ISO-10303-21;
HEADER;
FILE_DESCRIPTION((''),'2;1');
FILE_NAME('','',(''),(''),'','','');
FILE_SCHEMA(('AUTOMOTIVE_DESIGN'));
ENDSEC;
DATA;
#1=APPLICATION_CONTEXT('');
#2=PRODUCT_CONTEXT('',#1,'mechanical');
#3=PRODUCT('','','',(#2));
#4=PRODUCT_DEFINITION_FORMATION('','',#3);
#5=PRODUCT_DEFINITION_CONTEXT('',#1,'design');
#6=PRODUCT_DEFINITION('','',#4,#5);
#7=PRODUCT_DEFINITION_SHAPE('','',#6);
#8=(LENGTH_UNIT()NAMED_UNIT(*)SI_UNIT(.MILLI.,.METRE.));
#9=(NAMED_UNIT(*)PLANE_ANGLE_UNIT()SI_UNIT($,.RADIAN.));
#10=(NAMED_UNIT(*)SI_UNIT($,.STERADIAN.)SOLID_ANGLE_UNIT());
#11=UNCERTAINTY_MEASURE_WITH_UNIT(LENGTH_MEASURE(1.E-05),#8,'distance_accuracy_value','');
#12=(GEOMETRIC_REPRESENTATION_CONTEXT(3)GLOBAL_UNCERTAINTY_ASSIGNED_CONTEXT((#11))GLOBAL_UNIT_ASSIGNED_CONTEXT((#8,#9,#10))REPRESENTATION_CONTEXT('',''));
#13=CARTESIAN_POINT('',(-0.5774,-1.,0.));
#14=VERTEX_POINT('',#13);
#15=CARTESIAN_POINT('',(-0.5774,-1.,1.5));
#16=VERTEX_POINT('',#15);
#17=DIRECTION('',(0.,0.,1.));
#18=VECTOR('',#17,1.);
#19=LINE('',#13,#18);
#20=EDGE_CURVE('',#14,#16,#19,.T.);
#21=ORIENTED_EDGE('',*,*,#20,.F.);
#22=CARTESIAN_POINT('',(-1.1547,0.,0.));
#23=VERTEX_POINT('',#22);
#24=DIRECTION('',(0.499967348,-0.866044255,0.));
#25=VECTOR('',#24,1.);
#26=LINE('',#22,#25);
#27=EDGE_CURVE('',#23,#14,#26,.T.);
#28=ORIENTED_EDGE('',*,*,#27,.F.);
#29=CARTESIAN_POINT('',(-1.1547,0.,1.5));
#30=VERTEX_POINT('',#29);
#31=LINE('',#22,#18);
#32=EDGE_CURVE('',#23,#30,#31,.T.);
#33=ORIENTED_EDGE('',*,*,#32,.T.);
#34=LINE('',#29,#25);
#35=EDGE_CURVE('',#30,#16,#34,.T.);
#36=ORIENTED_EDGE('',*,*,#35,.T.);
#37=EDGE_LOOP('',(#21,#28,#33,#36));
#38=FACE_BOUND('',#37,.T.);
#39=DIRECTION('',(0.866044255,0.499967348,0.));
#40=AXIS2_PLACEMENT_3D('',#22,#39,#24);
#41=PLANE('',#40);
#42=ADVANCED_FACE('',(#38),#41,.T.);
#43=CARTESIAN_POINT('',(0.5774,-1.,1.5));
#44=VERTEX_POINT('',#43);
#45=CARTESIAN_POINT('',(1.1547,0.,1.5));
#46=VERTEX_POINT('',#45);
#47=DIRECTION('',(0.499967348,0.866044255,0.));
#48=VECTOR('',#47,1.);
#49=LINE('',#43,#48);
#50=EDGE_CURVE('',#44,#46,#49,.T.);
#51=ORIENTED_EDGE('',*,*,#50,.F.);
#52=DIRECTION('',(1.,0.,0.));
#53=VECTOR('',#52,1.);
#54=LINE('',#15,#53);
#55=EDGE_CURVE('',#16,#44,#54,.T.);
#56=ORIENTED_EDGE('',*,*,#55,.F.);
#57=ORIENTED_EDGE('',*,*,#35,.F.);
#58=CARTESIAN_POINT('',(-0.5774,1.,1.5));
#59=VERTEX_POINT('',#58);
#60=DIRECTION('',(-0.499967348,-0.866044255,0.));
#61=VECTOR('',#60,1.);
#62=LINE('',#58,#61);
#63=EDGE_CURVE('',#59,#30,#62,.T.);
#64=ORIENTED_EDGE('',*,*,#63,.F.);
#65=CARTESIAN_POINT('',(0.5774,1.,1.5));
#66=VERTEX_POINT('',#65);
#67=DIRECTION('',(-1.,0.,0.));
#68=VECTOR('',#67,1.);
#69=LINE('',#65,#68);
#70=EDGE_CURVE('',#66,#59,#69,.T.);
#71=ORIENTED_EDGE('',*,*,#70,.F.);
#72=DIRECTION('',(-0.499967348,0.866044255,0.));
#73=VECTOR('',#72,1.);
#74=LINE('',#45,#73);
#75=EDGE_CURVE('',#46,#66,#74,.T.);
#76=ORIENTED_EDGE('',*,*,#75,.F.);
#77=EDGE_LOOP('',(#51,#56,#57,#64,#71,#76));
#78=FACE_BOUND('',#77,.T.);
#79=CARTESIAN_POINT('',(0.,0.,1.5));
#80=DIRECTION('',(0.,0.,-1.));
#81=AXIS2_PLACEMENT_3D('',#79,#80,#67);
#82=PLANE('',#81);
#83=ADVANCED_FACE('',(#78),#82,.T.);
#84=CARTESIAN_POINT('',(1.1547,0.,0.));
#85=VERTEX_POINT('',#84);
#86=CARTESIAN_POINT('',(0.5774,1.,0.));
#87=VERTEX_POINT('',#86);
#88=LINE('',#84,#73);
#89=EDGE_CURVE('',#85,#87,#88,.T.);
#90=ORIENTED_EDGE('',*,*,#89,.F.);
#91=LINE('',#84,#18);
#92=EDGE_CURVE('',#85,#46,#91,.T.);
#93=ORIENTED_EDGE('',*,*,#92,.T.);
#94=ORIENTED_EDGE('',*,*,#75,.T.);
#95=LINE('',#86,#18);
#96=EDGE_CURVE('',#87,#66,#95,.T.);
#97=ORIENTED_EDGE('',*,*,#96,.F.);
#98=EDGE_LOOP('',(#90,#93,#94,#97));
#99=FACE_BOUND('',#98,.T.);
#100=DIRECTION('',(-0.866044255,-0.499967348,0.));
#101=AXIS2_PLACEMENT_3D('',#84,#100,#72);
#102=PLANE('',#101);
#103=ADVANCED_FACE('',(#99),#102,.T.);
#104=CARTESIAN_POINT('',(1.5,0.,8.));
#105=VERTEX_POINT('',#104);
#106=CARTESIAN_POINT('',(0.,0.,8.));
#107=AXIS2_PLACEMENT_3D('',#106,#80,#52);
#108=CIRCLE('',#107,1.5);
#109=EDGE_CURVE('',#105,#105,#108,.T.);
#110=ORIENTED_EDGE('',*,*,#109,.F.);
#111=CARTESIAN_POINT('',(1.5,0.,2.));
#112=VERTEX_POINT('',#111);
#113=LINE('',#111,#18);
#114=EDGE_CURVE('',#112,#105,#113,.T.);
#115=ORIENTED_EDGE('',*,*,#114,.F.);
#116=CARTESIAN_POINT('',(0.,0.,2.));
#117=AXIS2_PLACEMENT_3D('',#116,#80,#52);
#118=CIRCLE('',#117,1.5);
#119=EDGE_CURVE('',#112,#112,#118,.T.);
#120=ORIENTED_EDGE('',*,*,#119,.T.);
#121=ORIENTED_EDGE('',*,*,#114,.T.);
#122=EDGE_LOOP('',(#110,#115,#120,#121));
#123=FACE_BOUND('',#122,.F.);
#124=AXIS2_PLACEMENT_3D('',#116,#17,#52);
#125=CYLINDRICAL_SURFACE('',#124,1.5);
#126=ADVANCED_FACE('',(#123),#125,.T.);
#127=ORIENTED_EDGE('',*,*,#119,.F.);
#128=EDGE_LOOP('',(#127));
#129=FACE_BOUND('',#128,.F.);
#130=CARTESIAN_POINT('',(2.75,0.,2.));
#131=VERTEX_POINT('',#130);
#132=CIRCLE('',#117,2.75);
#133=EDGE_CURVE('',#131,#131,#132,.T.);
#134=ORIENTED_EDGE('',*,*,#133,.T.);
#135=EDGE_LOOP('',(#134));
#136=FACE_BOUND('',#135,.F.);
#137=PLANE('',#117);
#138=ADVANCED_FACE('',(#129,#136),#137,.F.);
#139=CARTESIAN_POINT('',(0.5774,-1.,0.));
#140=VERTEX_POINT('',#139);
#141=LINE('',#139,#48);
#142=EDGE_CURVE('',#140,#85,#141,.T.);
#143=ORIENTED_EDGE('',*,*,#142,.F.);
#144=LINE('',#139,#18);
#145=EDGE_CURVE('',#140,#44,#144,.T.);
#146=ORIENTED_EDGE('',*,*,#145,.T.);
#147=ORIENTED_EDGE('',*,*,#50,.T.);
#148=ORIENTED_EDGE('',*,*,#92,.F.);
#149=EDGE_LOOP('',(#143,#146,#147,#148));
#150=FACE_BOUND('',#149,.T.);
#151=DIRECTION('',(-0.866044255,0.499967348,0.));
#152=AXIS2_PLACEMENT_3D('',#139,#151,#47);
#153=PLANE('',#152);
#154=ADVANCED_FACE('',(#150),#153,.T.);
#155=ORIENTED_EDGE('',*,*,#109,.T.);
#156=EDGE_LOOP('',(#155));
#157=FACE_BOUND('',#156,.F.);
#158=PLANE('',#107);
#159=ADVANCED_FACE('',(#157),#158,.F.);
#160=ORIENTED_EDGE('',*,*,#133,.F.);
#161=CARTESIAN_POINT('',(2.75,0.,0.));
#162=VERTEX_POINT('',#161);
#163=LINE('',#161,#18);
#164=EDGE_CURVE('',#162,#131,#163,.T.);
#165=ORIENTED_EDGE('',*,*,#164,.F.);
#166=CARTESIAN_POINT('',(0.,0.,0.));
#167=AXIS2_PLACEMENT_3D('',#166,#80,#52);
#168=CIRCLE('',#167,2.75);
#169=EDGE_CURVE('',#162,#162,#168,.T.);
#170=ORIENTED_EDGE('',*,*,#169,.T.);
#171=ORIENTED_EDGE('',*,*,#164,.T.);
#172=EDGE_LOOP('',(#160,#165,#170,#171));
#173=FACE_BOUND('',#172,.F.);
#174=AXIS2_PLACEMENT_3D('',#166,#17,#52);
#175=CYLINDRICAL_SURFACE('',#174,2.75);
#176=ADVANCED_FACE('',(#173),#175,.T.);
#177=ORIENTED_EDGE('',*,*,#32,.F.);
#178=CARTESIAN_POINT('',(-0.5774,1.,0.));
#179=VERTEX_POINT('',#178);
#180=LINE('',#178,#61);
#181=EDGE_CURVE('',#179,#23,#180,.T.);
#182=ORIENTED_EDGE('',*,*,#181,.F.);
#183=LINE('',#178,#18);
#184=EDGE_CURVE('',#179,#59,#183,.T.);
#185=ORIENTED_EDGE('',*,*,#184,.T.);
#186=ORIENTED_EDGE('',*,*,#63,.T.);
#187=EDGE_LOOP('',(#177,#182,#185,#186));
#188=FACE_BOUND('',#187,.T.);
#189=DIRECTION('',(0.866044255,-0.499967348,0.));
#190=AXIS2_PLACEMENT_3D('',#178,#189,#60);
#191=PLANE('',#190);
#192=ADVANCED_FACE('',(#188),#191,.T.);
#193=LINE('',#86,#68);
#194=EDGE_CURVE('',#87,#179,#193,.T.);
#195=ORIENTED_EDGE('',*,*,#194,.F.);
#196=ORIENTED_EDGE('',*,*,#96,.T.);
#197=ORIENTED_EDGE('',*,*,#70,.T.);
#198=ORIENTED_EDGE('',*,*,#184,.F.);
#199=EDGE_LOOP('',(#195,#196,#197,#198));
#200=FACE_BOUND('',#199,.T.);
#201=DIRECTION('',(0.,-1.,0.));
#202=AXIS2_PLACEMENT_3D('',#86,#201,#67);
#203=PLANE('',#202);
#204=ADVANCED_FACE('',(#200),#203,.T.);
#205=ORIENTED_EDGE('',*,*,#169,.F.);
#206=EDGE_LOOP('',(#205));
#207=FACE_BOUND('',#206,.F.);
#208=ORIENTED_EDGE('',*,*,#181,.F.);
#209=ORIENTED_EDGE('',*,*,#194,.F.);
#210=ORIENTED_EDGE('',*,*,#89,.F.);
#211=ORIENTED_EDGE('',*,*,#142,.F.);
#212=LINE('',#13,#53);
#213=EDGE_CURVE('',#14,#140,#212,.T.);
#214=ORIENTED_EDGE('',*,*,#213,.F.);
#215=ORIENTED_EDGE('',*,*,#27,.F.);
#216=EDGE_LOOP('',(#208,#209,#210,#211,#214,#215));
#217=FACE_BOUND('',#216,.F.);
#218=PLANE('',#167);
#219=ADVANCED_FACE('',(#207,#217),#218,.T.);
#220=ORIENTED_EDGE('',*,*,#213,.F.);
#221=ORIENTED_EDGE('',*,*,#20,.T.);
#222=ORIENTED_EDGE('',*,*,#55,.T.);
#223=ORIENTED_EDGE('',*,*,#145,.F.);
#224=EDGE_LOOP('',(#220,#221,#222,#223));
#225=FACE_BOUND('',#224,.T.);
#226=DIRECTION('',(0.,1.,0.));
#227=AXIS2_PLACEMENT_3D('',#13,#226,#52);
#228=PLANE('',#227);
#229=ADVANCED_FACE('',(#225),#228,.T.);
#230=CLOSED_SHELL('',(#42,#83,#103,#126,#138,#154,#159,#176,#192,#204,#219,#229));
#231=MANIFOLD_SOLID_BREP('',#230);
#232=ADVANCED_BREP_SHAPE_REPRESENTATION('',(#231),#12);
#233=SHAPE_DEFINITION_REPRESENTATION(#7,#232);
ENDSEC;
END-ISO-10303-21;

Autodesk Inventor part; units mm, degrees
ref_plane "YZ Plane" through (0, 0, 0) normal (1, 0, 0) x (0, 1, 0)
ref_plane "XZ Plane" through (0, 0, 0) normal (0, 1, 0) x (-1, 0, 0)
ref_plane "XY Plane" through (0, 0, 0) normal (0, 0, 1) x (1, 0, 0)
sketch "Sketch1" plane through (0, 0, 0) normal (0, 1, 0) x (-1, 0, 0)
  line L0 (0, 0) -> (-2.75, 0)
  line L1 (-2.75, 0) -> (-2.75, 2)
  line L2 (-2.75, 2) -> (-1.5, 2)
  line L3 (-1.5, 2) -> (-1.5, 8)
  line L4 (-1.5, 8) -> (0, 8)
  line L5 (0, 8) -> (0, 0)
  dimension "ScrewLength" = 6
  dimension "Diameter" = 5.5
  dimension "Metric" = 3
  dimension "HeadLength" = 2
revolve "Revolution1" add sketch "Sketch1" angle 360 about axis through (0, 0, 8) along (0, 0, -1)
thread "Thread1" size "M3x0.5" class "6g" standard "ANSI Metric M Profile" full length
sketch "Sketch2" plane through (0, 0, 0) normal (0, 0, -1) x (-1, 0, 0)
  line L0 (0.5774, 1) -> (1.1547, 0)
  line L1 (1.1547, 0) -> (0.5774, -1)
  line L2 (0.5774, -1) -> (-0.5774, -1)
  line L3 (-0.5774, -1) -> (-1.1547, 0)
  line L4 (-1.1547, 0) -> (-0.5774, 1)
  line L5 (-0.5774, 1) -> (0.5774, 1)
  point P0 (0, 0)
  point P1 (0, 0)
  dimension "WidthAcrossFlat" = 2
extrude "Extrusion1" cut sketch "Sketch2" against normal blind 1.5
properties part number "ULC-0306" material "Stainless Steel AISI 304"
